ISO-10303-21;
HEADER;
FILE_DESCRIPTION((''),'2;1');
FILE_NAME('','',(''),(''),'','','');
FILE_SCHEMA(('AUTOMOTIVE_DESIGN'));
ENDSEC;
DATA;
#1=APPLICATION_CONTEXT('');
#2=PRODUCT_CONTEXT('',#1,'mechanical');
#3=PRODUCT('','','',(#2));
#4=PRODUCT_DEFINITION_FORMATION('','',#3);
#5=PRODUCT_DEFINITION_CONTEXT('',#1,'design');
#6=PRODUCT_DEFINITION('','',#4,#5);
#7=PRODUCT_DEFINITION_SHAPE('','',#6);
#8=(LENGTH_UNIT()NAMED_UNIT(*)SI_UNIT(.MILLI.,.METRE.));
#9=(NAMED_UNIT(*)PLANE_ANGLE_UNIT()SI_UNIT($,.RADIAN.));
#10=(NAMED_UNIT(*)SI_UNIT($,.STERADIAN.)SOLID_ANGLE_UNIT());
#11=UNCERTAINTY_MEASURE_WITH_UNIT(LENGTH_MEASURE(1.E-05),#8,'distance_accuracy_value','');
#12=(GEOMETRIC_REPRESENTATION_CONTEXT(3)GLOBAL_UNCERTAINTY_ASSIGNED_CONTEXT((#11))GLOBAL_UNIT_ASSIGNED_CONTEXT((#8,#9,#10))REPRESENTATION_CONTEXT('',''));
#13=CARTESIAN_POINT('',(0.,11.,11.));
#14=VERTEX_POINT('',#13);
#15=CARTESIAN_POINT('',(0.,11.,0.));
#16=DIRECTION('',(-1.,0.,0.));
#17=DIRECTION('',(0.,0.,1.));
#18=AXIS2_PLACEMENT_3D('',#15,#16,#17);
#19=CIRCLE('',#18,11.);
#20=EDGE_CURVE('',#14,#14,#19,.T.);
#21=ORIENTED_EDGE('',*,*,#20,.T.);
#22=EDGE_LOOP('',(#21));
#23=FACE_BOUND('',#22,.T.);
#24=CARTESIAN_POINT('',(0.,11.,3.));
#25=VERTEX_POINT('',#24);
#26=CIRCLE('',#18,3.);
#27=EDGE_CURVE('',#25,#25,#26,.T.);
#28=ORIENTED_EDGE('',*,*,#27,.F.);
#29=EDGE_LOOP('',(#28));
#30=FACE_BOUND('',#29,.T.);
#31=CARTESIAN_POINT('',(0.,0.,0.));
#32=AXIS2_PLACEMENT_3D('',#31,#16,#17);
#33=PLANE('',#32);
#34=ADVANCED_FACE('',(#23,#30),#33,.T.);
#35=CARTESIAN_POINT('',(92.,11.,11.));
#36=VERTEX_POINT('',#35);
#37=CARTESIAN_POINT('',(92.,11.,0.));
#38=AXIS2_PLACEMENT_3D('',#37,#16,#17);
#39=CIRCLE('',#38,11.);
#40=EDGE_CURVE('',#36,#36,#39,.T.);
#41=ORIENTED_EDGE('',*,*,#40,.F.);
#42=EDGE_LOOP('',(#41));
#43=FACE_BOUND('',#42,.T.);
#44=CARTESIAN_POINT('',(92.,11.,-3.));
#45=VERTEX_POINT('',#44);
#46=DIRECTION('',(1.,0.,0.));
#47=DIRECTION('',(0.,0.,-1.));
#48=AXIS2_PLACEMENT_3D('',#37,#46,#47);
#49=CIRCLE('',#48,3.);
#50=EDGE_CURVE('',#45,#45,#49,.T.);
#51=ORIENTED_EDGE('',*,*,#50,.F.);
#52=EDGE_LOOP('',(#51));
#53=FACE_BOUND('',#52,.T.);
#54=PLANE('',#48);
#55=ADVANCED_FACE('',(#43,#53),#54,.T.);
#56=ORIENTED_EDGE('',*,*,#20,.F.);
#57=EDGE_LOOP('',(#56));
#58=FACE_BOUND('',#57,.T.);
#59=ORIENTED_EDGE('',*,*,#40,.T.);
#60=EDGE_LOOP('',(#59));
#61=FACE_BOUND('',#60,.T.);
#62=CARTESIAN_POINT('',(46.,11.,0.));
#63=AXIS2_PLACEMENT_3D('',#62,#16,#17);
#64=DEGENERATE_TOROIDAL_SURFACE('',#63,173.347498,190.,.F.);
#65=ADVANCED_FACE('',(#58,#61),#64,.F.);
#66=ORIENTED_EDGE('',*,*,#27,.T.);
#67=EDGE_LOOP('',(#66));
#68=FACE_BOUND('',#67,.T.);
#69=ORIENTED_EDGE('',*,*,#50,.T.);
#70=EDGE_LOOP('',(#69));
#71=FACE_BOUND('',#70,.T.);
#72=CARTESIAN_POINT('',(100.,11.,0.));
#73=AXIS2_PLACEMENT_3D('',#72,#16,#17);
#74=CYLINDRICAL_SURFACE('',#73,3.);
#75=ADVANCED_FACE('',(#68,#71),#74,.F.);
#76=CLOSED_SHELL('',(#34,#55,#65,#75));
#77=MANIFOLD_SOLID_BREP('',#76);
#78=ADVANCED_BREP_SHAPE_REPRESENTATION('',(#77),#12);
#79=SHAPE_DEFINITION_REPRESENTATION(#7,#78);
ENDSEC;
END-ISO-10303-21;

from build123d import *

# Parameters (mm, degrees)
IZIM13_R              = 3
KES_EKSTR_ZYON7_DEPTH = 100


with BuildPart() as part:
    # Çizim10 → Döndür21 (revolve)
    with BuildSketch(Plane.XY, mode=Mode.PRIVATE) as d_nd_r21_sk:
        with BuildLine():
            Line((0, 0), (0, 11))
            Line((0, 11), (92, 11))
            Line((92, 11), (92, 0))
            ThreePointArc((92, 0), (46, -5.652502051), (0, 0))
        make_face()
    revolve(d_nd_r21_sk.sketch.rotate(Axis((0, 11, 0), (1, 0, 0)), 270), axis=Axis((0, 11, 0), (1, 0, 0)))

    # Çizim13 → Kes-Ekstrüzyon7 (cut)
    with BuildSketch(Plane.ZY):
        with Locations((0, 11)):
            Circle(IZIM13_R)
    extrude(amount=-KES_EKSTR_ZYON7_DEPTH, mode=Mode.SUBTRACT)


solid = part.part
